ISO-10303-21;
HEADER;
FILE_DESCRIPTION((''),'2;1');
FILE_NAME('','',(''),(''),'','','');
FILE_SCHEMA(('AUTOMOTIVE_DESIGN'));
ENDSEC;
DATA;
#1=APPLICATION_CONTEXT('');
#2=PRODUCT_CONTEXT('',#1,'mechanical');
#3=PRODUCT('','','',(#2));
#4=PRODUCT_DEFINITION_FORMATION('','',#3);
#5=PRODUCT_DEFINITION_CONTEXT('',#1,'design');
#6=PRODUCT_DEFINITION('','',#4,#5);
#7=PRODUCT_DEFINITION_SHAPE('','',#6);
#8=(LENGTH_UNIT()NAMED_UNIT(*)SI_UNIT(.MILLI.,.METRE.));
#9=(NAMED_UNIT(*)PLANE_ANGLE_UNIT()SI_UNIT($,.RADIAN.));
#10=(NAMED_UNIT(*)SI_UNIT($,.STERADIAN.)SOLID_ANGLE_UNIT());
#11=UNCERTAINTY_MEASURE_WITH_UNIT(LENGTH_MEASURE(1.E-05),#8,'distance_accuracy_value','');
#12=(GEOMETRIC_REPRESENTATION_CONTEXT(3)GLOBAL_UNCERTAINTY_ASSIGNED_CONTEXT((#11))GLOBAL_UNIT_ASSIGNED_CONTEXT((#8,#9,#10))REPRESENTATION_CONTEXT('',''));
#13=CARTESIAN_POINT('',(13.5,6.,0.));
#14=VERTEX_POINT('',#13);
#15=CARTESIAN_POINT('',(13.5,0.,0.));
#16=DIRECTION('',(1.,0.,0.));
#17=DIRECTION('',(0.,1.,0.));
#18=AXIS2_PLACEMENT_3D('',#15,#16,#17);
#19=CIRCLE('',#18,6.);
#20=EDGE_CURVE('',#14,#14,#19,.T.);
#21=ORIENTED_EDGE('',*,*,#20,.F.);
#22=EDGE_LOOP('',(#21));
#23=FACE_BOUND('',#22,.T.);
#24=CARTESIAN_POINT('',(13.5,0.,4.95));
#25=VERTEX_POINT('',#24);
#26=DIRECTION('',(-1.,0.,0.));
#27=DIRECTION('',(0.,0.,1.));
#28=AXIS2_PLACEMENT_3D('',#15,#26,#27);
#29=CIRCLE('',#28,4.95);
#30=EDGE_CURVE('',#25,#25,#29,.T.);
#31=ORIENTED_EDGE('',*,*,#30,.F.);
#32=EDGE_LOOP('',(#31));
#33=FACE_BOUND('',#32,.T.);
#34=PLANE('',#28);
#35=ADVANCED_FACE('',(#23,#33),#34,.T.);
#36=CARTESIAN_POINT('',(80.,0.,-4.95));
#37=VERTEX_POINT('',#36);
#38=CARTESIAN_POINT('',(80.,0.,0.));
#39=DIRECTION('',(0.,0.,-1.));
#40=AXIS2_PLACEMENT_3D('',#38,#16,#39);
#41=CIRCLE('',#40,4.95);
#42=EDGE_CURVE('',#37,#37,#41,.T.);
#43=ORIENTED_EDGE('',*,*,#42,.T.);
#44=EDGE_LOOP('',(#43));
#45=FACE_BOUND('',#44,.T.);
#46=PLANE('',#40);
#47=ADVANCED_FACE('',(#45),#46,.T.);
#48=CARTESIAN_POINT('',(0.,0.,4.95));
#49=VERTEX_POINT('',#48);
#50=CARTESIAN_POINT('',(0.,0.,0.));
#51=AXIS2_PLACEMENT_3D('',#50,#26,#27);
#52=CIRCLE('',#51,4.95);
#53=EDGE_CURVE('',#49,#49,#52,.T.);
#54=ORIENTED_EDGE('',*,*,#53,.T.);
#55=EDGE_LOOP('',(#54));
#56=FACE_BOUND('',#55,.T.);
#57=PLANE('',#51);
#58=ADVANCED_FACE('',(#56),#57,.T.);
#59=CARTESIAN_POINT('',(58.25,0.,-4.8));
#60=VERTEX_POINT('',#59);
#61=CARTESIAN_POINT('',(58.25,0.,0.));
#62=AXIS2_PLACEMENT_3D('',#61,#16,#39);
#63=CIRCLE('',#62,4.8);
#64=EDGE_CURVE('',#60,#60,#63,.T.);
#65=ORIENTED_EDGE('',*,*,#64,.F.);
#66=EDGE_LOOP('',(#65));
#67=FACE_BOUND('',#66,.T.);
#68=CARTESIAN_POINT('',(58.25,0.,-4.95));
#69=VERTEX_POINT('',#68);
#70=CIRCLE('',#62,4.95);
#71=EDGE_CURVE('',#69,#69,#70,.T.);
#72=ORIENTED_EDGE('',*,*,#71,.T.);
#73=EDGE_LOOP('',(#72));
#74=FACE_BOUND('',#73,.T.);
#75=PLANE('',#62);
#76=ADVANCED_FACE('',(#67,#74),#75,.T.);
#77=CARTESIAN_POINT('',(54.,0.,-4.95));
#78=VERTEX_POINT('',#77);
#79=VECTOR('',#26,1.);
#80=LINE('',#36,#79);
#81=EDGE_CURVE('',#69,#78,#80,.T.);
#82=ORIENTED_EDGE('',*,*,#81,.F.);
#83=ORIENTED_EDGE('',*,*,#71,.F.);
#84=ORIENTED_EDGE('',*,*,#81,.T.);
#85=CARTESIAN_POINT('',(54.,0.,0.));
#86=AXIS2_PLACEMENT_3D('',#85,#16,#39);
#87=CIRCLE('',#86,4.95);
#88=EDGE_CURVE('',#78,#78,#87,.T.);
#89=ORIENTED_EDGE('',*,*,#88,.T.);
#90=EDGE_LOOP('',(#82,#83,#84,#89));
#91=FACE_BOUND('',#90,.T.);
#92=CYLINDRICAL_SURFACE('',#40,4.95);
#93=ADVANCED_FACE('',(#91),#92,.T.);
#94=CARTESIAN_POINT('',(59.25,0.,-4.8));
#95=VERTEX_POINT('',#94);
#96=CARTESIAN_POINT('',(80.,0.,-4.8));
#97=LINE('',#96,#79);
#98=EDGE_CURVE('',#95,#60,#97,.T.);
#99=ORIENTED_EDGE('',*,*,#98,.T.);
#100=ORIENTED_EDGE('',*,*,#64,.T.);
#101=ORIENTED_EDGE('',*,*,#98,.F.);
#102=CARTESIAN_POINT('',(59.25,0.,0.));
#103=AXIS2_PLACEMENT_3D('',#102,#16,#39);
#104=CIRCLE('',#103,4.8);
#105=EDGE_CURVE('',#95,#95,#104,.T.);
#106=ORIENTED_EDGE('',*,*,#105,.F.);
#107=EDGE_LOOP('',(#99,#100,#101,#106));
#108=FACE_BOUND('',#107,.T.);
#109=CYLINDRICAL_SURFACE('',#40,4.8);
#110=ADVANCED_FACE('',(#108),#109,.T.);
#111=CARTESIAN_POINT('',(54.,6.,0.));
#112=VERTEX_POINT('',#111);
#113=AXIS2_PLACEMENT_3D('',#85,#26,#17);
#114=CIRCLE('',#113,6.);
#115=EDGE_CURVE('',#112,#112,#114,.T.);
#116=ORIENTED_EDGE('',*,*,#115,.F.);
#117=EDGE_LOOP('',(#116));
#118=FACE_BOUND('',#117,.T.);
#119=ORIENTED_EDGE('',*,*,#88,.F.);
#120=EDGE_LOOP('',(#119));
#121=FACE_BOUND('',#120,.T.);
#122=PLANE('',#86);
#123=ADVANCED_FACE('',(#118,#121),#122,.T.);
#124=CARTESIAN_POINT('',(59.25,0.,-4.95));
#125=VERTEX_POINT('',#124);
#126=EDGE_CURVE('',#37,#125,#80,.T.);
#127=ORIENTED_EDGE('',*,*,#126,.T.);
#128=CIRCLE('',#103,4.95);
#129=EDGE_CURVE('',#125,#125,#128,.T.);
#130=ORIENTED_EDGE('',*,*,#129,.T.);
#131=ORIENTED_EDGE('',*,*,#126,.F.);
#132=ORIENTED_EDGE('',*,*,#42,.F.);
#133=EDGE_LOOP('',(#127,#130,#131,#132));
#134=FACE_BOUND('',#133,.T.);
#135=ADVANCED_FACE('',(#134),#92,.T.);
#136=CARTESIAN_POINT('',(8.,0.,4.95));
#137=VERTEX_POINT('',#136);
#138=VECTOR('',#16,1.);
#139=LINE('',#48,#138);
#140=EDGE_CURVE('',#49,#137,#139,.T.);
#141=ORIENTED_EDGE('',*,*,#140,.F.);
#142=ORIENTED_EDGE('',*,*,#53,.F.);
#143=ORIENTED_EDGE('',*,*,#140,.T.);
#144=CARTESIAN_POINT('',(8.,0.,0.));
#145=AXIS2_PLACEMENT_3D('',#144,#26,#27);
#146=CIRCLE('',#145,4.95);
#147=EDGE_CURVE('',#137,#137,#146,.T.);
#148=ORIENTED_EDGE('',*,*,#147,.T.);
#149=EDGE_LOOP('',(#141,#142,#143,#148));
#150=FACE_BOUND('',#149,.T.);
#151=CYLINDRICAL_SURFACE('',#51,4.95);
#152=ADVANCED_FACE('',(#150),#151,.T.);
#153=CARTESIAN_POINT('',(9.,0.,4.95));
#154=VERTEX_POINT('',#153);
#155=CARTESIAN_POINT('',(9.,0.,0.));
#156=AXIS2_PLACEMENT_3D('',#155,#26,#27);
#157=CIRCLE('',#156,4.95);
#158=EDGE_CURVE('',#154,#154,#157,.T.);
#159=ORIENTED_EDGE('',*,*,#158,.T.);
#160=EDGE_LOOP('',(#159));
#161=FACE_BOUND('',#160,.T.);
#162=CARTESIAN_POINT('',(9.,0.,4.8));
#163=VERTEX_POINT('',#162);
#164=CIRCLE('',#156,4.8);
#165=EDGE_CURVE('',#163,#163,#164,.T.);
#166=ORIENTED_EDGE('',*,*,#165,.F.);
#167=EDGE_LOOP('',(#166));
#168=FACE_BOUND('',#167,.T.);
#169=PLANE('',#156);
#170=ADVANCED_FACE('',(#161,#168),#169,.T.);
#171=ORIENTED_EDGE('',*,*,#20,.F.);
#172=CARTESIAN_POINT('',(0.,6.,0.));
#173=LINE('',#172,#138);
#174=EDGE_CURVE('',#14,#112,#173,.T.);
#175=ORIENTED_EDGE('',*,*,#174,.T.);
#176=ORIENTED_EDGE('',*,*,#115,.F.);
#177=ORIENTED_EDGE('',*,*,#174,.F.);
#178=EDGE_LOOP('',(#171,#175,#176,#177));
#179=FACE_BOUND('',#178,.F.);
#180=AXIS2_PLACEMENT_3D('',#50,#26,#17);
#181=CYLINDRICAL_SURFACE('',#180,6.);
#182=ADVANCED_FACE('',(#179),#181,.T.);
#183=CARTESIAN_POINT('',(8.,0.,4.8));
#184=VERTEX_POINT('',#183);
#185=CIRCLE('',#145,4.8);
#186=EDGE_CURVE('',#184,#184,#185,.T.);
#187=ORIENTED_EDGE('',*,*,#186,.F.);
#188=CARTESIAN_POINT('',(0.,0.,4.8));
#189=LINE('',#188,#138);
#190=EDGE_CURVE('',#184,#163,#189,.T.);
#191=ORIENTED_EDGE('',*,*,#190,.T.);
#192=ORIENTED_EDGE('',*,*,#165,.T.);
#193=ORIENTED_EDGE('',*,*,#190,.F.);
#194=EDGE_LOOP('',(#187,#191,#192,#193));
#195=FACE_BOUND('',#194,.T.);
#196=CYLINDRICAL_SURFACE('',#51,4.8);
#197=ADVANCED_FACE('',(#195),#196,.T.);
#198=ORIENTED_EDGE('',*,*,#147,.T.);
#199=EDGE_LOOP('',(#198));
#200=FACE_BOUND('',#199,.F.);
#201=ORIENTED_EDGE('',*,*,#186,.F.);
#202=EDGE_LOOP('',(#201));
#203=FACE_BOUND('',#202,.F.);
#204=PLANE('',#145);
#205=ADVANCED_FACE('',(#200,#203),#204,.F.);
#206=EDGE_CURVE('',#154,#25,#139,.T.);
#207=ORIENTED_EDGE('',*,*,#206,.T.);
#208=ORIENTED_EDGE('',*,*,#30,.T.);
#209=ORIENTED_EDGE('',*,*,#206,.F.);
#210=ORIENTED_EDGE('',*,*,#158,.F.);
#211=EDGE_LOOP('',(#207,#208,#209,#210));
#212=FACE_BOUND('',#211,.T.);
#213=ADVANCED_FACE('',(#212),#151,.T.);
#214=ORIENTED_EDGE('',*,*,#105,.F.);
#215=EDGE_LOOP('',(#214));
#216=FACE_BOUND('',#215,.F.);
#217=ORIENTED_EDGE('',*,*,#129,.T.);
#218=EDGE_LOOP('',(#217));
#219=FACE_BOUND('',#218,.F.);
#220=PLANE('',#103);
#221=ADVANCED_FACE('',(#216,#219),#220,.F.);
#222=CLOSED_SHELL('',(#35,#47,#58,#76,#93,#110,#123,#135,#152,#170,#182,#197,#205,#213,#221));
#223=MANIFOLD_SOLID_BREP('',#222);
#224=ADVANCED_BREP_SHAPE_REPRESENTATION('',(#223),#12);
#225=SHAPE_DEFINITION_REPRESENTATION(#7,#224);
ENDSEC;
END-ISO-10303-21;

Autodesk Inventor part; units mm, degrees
ref_plane "YZ Plane" through (0, 0, 0) normal (1, 0, 0) x (0, 1, 0)
ref_plane "XZ Plane" through (0, 0, 0) normal (0, 1, 0) x (-1, 0, 0)
ref_plane "XY Plane" through (0, 0, 0) normal (0, 0, 1) x (1, 0, 0)
sketch "스케치1" plane through (0, 0, 0) normal (1, 0, 0) x (0, 1, 0)
  circle A0 centre (0, 0) radius 6
  dimension "d0" = 12
extrude "돌출1" add sketch "스케치1" along normal blind 80
sketch "스케치2" plane through (80, 0, 0) normal (1, 0, 0) x (0, 0, -1)
  circle A0 centre (0, 0) radius 6
  circle A1 centre (0, 0) radius 4.95
  dimension "d3" = 9.9
extrude "돌출2" cut sketch "스케치2" against normal blind 26
sketch "스케치3" plane through (80, 0, 0) normal (1, 0, 0) x (0, 0, -1)
  circle A0 centre (0, 0) radius 4.95
  circle A1 centre (0, 0) radius 4.8
  dimension "d6" = 9.9
  dimension "d7" = 9.6
extrude "돌출3" cut sketch "스케치3" against normal blind 21.75
sketch "스케치4" plane through (80, 0, 0) normal (1, 0, 0) x (0, 0, -1)
  circle A0 centre (0, 0) radius 4.95
  circle A1 centre (0, 0) radius 4.8
  dimension "d10" = 9.9
  dimension "d11" = 9.6
extrude "돌출4" add sketch "스케치4" against normal blind 20.75
sketch "스케치5" plane through (0, 0, 0) normal (-1, 0, 0) x (0, 0, 1)
  circle A0 centre (0, 0) radius 6
  circle A1 centre (0, 0) radius 4.95
  dimension "d14" = 12
  dimension "d15" = 9.9
extrude "돌출5" cut sketch "스케치5" against normal blind 13.5
sketch "스케치6" plane through (0, 0, 0) normal (-1, 0, 0) x (0, 0, 1)
  circle A0 centre (0, 0) radius 4.95
  circle A1 centre (0, 0) radius 4.8
  dimension "d18" = 9.9
  dimension "d19" = 9.6
extrude "돌출6" cut sketch "스케치6" against normal blind 9
sketch "스케치7" plane through (0, 0, 0) normal (-1, 0, 0) x (0, 0, 1)
  circle A0 centre (0, 0) radius 4.95
  circle A1 centre (0, 0) radius 4.8
  dimension "d22" = 9.9
  dimension "d23" = 9.6
extrude "돌출7" add sketch "스케치7" against normal blind 8
properties part number "10PI축"
